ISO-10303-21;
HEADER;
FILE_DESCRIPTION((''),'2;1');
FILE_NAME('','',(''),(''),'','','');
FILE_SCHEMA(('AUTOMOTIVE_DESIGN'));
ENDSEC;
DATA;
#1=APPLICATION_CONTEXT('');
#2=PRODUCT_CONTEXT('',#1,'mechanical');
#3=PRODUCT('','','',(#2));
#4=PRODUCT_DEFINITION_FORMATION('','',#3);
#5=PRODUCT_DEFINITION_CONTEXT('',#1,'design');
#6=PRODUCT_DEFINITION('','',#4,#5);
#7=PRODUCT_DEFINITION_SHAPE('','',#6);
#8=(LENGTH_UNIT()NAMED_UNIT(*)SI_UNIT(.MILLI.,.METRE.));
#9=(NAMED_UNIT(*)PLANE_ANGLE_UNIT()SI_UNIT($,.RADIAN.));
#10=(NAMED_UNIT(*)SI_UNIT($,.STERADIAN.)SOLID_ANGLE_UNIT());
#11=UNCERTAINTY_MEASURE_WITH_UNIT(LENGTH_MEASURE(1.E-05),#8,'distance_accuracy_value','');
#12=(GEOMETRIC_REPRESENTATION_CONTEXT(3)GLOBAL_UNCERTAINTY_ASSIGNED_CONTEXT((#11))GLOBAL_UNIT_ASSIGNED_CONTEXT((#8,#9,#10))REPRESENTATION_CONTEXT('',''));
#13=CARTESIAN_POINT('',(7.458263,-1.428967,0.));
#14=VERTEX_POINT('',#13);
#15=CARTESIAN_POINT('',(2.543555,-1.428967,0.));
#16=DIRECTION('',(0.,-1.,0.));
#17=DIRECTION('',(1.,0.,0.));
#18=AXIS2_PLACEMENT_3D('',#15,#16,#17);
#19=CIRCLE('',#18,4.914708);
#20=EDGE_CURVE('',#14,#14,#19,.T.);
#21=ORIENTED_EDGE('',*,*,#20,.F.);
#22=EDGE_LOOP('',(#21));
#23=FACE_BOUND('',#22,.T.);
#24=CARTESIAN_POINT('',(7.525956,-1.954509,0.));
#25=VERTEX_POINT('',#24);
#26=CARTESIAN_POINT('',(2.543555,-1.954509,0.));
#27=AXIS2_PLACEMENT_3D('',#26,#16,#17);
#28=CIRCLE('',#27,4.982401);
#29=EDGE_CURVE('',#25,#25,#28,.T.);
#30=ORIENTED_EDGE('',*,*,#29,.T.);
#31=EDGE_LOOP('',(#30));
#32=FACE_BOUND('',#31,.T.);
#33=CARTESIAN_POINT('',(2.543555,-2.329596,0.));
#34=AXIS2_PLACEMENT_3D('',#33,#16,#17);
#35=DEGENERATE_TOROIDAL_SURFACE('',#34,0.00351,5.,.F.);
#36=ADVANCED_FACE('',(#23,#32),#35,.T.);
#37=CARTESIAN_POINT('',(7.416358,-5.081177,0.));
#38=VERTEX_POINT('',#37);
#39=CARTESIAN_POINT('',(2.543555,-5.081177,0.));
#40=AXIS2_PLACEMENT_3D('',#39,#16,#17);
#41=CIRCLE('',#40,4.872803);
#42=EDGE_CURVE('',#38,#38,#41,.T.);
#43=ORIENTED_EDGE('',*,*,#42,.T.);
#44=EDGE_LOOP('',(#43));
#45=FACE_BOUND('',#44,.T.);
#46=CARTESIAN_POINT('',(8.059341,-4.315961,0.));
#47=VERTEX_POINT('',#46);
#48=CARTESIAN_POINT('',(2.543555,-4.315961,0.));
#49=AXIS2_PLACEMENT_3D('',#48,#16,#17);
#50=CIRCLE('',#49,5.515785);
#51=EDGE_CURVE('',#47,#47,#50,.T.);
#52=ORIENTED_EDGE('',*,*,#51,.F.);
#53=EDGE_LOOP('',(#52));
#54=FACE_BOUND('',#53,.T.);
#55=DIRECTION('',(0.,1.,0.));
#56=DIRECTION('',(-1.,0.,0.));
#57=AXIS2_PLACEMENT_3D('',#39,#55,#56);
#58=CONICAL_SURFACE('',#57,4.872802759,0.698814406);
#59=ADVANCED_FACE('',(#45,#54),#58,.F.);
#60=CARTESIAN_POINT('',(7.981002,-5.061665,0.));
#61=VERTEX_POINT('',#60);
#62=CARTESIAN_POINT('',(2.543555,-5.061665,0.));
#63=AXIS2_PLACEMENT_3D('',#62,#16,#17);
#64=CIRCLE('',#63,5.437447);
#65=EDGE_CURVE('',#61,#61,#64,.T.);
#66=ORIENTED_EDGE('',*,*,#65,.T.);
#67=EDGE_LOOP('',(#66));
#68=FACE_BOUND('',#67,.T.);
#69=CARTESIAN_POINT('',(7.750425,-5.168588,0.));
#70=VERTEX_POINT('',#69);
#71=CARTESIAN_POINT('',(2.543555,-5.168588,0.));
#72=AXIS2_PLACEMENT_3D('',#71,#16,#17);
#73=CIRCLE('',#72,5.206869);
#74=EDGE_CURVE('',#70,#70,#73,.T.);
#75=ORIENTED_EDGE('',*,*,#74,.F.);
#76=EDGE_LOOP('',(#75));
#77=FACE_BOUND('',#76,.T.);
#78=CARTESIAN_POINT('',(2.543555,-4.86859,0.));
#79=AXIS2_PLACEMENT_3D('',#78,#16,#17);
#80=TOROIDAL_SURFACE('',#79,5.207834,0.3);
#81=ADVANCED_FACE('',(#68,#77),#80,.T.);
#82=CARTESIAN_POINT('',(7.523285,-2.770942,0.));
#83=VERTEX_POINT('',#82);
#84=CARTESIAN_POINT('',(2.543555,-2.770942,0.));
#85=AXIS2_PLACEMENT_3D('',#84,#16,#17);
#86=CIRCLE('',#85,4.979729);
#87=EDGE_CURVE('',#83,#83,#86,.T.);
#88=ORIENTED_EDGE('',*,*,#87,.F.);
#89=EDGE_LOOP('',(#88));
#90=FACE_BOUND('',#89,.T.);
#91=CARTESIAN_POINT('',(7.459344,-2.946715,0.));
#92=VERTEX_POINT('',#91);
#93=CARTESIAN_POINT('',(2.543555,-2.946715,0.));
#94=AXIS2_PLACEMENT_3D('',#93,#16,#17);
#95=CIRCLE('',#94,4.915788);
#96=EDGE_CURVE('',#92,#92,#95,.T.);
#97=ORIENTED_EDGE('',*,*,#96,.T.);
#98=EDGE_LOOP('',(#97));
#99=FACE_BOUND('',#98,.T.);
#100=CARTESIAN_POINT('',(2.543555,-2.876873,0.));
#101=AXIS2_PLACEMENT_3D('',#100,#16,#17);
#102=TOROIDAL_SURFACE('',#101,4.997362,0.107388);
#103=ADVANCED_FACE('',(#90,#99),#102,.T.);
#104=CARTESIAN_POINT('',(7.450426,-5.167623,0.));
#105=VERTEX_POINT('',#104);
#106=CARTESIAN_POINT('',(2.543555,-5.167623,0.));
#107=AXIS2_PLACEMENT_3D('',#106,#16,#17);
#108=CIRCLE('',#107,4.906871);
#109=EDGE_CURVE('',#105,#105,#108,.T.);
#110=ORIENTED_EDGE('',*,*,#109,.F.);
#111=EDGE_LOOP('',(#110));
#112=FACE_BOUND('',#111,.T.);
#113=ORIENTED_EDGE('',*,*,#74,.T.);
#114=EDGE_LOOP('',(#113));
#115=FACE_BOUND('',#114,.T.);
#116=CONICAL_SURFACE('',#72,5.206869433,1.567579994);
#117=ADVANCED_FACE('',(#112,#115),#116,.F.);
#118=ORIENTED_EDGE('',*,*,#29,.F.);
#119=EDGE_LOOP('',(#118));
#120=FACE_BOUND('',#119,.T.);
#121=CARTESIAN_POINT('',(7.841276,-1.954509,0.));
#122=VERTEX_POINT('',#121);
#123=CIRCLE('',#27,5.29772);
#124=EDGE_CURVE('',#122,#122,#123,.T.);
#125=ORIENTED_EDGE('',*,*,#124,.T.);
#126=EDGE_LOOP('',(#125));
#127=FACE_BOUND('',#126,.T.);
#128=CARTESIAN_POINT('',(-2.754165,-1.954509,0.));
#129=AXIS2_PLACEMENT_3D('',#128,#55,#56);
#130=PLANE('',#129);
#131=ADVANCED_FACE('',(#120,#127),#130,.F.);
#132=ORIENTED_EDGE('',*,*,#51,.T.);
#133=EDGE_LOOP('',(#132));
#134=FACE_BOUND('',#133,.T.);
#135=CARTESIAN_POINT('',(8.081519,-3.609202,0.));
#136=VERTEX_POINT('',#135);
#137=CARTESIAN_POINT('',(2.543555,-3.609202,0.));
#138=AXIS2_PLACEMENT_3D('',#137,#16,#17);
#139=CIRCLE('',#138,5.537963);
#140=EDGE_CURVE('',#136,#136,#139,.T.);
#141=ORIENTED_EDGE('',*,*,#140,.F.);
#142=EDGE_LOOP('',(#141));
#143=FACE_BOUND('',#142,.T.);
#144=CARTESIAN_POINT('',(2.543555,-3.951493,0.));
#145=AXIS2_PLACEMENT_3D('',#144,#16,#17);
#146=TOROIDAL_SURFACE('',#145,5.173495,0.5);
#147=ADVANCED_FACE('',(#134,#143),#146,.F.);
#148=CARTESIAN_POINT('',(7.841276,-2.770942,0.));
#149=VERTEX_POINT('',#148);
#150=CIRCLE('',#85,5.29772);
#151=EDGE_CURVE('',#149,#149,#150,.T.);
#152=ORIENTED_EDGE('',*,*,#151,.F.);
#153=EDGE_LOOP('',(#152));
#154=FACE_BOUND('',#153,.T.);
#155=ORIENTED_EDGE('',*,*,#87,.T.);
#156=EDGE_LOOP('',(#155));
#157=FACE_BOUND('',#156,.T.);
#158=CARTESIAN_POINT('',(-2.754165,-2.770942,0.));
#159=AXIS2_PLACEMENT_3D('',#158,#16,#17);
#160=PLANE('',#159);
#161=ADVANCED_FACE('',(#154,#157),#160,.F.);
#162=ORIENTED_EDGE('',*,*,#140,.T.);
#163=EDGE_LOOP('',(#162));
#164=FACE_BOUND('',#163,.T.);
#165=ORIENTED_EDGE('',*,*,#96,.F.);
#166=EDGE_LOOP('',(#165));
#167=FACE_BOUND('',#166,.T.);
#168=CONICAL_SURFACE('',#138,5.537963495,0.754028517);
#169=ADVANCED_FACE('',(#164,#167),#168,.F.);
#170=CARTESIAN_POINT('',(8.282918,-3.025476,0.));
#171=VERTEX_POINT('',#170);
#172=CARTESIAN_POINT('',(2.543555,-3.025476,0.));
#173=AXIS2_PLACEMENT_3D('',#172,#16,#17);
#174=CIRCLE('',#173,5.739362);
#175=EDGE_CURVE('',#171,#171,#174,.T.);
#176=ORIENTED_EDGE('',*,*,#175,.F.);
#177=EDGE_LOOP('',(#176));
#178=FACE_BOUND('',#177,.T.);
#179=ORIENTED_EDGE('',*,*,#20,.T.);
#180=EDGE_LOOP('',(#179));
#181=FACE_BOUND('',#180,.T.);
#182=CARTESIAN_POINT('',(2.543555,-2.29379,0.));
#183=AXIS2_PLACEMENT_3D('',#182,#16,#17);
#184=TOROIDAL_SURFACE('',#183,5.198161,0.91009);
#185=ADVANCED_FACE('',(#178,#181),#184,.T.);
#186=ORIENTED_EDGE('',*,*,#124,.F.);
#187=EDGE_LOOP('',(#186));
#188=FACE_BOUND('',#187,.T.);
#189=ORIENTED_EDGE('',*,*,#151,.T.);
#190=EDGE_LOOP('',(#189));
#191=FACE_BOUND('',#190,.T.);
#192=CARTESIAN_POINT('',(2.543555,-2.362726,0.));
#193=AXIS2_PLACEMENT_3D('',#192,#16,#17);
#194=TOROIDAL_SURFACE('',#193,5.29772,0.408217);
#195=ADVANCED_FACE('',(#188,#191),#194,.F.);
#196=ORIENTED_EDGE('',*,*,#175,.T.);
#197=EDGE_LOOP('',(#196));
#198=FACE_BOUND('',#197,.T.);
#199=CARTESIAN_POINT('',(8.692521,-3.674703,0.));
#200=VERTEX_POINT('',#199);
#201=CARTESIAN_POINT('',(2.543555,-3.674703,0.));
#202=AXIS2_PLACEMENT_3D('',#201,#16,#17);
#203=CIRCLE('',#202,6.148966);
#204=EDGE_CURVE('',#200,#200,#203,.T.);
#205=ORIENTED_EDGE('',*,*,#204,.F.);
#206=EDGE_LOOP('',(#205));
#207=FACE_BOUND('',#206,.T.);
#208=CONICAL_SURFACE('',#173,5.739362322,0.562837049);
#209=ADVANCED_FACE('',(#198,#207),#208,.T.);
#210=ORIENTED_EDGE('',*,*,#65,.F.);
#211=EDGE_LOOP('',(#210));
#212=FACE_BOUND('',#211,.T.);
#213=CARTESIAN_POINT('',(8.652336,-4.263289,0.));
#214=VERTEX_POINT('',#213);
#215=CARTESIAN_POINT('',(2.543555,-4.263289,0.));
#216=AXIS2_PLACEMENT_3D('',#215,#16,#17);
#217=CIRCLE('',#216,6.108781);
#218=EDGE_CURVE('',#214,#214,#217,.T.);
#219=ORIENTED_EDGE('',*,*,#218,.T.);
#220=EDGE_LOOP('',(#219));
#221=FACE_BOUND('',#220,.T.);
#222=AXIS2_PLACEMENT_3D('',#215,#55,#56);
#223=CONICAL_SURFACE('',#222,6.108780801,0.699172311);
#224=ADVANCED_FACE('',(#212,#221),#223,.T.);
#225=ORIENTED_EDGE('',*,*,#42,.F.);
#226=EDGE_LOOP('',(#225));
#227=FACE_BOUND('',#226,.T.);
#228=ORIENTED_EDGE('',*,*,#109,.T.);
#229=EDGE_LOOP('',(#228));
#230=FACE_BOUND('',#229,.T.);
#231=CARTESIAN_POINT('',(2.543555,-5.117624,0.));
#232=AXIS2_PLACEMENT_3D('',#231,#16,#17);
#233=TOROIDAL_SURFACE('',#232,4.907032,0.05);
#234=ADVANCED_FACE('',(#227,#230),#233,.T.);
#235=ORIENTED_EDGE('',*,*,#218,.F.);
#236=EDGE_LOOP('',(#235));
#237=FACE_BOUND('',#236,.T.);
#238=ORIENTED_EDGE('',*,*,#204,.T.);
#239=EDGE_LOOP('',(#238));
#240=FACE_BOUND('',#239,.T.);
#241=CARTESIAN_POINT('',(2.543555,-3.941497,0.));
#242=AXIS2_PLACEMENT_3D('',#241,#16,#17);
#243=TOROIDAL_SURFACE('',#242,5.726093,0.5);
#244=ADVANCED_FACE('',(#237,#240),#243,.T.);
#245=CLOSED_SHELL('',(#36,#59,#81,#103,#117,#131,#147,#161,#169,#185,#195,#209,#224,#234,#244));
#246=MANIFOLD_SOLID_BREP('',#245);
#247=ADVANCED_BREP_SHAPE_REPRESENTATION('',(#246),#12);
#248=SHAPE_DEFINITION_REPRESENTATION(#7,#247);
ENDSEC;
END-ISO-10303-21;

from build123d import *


with BuildPart() as part:
    # Sketch1 → Revolve1 (revolve)
    with BuildSketch(Plane.XY):
        with BuildLine():
            Line((-2.754165118, -1.954509446), (-2.438845449, -1.954509446))
            ThreePointArc((-2.438845449, -1.954509446), (-2.41196564, -1.690840976), (-2.371152225, -1.428967244))
            ThreePointArc((-2.371152225, -1.428967244), (-3.463195669, -1.876123329), (-3.195807006, -3.025475647))
            Line((-3.195807006, -3.025475647), (-3.605410268, -3.674703034))
            ThreePointArc((-3.605410268, -3.674703034), (-3.68137666, -3.97555434), (-3.565225486, -4.263289123))
            Line((-3.565225486, -4.263289123), (-2.893891556, -5.06166504))
            ThreePointArc((-2.893891556, -5.06166504), (-2.790485492, -5.140751294), (-2.663314117, -5.168588163))
            Line((-2.663314117, -5.168588163), (-2.363315669, -5.167623265))
            ThreePointArc((-2.363315669, -5.167623265), (-2.316958545, -5.135956042), (-2.329247443, -5.081176676))
            Line((-2.329247443, -5.081176676), (-2.972230128, -4.315961312))
            ThreePointArc((-2.972230128, -4.315961312), (-3.129693713, -3.96717509), (-2.99440818, -3.609202418))
            Line((-2.99440818, -3.609202418), (-2.372233059, -2.946714652))
            ThreePointArc((-2.372233059, -2.946714652), (-2.352888479, -2.84016163), (-2.436173938, -2.770942475))
            Line((-2.436173938, -2.770942475), (-2.754165118, -2.770942475))
            ThreePointArc((-2.754165118, -2.770942475), (-3.162381632, -2.36272596), (-2.754165118, -1.954509446))
        make_face()
    revolve(axis=Axis((2.543555316, -2.36272596, 0), (0, 1, 0)))


solid = part.part
